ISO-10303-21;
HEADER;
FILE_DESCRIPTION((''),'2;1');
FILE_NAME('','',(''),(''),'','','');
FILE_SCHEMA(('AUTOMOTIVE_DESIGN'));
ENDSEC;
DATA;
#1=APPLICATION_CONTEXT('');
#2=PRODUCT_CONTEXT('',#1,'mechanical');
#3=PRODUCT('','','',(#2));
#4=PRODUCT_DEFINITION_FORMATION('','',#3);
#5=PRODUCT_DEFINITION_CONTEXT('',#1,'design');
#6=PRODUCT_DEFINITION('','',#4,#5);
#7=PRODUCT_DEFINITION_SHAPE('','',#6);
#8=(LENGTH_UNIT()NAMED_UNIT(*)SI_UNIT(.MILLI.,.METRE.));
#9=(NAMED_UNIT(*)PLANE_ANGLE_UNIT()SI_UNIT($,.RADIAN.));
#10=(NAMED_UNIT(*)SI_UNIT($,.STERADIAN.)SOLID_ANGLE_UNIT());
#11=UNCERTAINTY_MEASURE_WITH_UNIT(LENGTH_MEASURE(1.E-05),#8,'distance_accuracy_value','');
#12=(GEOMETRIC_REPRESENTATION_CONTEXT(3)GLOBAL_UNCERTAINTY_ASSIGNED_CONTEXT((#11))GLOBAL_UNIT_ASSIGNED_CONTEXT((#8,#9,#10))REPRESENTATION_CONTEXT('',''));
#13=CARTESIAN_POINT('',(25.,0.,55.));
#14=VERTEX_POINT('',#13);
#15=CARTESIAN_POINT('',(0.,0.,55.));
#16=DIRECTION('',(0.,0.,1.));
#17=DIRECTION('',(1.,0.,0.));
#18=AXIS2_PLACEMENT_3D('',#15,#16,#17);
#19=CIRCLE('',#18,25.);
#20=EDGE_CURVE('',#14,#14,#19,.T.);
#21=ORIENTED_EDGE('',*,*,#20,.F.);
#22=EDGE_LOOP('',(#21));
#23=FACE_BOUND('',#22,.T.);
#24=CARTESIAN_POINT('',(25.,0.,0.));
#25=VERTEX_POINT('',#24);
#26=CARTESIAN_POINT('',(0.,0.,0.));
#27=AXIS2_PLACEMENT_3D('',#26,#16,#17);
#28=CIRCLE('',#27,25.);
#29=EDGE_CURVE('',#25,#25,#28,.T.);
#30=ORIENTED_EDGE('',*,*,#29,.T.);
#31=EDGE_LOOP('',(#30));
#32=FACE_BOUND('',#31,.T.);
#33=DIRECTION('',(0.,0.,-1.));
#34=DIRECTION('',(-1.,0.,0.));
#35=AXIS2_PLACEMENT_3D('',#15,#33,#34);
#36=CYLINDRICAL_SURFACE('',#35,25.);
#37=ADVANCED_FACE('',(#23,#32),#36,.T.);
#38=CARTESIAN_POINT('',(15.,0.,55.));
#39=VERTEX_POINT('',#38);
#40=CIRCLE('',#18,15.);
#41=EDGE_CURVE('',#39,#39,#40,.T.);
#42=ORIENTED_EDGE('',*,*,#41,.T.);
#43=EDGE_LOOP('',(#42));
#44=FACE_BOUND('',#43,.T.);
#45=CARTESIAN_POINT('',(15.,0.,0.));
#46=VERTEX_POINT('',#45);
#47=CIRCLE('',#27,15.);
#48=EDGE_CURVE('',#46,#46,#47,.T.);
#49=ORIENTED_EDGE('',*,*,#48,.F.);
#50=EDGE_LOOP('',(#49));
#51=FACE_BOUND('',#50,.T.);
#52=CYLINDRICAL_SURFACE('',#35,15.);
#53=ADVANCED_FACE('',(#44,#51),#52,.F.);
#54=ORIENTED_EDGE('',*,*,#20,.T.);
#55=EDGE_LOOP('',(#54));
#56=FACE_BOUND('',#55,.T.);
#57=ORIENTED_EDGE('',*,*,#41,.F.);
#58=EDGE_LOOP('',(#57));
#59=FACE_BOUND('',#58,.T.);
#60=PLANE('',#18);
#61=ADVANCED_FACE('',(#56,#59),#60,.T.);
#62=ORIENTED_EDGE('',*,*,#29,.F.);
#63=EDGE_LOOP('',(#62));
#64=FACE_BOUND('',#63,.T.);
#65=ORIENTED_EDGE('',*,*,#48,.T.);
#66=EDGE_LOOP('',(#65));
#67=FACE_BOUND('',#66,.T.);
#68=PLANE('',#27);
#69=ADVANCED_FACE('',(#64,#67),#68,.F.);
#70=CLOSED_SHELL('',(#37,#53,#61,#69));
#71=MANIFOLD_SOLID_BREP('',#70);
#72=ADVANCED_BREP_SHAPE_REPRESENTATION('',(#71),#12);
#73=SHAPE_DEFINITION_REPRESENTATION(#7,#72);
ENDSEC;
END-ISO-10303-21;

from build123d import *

# Parameters (mm, degrees)
ESQUISSE1_R        = 25
ESQUISSE1_R_2      = 15
BOSS_EXTRU_1_DEPTH = 55


with BuildPart() as part:
    # Esquisse1 → Boss.-Extru.1 (new body)
    with BuildSketch(Plane.XY):
        Circle(ESQUISSE1_R)
        Circle(ESQUISSE1_R_2, mode=Mode.SUBTRACT)
    extrude(amount=BOSS_EXTRU_1_DEPTH)


solid = part.part
